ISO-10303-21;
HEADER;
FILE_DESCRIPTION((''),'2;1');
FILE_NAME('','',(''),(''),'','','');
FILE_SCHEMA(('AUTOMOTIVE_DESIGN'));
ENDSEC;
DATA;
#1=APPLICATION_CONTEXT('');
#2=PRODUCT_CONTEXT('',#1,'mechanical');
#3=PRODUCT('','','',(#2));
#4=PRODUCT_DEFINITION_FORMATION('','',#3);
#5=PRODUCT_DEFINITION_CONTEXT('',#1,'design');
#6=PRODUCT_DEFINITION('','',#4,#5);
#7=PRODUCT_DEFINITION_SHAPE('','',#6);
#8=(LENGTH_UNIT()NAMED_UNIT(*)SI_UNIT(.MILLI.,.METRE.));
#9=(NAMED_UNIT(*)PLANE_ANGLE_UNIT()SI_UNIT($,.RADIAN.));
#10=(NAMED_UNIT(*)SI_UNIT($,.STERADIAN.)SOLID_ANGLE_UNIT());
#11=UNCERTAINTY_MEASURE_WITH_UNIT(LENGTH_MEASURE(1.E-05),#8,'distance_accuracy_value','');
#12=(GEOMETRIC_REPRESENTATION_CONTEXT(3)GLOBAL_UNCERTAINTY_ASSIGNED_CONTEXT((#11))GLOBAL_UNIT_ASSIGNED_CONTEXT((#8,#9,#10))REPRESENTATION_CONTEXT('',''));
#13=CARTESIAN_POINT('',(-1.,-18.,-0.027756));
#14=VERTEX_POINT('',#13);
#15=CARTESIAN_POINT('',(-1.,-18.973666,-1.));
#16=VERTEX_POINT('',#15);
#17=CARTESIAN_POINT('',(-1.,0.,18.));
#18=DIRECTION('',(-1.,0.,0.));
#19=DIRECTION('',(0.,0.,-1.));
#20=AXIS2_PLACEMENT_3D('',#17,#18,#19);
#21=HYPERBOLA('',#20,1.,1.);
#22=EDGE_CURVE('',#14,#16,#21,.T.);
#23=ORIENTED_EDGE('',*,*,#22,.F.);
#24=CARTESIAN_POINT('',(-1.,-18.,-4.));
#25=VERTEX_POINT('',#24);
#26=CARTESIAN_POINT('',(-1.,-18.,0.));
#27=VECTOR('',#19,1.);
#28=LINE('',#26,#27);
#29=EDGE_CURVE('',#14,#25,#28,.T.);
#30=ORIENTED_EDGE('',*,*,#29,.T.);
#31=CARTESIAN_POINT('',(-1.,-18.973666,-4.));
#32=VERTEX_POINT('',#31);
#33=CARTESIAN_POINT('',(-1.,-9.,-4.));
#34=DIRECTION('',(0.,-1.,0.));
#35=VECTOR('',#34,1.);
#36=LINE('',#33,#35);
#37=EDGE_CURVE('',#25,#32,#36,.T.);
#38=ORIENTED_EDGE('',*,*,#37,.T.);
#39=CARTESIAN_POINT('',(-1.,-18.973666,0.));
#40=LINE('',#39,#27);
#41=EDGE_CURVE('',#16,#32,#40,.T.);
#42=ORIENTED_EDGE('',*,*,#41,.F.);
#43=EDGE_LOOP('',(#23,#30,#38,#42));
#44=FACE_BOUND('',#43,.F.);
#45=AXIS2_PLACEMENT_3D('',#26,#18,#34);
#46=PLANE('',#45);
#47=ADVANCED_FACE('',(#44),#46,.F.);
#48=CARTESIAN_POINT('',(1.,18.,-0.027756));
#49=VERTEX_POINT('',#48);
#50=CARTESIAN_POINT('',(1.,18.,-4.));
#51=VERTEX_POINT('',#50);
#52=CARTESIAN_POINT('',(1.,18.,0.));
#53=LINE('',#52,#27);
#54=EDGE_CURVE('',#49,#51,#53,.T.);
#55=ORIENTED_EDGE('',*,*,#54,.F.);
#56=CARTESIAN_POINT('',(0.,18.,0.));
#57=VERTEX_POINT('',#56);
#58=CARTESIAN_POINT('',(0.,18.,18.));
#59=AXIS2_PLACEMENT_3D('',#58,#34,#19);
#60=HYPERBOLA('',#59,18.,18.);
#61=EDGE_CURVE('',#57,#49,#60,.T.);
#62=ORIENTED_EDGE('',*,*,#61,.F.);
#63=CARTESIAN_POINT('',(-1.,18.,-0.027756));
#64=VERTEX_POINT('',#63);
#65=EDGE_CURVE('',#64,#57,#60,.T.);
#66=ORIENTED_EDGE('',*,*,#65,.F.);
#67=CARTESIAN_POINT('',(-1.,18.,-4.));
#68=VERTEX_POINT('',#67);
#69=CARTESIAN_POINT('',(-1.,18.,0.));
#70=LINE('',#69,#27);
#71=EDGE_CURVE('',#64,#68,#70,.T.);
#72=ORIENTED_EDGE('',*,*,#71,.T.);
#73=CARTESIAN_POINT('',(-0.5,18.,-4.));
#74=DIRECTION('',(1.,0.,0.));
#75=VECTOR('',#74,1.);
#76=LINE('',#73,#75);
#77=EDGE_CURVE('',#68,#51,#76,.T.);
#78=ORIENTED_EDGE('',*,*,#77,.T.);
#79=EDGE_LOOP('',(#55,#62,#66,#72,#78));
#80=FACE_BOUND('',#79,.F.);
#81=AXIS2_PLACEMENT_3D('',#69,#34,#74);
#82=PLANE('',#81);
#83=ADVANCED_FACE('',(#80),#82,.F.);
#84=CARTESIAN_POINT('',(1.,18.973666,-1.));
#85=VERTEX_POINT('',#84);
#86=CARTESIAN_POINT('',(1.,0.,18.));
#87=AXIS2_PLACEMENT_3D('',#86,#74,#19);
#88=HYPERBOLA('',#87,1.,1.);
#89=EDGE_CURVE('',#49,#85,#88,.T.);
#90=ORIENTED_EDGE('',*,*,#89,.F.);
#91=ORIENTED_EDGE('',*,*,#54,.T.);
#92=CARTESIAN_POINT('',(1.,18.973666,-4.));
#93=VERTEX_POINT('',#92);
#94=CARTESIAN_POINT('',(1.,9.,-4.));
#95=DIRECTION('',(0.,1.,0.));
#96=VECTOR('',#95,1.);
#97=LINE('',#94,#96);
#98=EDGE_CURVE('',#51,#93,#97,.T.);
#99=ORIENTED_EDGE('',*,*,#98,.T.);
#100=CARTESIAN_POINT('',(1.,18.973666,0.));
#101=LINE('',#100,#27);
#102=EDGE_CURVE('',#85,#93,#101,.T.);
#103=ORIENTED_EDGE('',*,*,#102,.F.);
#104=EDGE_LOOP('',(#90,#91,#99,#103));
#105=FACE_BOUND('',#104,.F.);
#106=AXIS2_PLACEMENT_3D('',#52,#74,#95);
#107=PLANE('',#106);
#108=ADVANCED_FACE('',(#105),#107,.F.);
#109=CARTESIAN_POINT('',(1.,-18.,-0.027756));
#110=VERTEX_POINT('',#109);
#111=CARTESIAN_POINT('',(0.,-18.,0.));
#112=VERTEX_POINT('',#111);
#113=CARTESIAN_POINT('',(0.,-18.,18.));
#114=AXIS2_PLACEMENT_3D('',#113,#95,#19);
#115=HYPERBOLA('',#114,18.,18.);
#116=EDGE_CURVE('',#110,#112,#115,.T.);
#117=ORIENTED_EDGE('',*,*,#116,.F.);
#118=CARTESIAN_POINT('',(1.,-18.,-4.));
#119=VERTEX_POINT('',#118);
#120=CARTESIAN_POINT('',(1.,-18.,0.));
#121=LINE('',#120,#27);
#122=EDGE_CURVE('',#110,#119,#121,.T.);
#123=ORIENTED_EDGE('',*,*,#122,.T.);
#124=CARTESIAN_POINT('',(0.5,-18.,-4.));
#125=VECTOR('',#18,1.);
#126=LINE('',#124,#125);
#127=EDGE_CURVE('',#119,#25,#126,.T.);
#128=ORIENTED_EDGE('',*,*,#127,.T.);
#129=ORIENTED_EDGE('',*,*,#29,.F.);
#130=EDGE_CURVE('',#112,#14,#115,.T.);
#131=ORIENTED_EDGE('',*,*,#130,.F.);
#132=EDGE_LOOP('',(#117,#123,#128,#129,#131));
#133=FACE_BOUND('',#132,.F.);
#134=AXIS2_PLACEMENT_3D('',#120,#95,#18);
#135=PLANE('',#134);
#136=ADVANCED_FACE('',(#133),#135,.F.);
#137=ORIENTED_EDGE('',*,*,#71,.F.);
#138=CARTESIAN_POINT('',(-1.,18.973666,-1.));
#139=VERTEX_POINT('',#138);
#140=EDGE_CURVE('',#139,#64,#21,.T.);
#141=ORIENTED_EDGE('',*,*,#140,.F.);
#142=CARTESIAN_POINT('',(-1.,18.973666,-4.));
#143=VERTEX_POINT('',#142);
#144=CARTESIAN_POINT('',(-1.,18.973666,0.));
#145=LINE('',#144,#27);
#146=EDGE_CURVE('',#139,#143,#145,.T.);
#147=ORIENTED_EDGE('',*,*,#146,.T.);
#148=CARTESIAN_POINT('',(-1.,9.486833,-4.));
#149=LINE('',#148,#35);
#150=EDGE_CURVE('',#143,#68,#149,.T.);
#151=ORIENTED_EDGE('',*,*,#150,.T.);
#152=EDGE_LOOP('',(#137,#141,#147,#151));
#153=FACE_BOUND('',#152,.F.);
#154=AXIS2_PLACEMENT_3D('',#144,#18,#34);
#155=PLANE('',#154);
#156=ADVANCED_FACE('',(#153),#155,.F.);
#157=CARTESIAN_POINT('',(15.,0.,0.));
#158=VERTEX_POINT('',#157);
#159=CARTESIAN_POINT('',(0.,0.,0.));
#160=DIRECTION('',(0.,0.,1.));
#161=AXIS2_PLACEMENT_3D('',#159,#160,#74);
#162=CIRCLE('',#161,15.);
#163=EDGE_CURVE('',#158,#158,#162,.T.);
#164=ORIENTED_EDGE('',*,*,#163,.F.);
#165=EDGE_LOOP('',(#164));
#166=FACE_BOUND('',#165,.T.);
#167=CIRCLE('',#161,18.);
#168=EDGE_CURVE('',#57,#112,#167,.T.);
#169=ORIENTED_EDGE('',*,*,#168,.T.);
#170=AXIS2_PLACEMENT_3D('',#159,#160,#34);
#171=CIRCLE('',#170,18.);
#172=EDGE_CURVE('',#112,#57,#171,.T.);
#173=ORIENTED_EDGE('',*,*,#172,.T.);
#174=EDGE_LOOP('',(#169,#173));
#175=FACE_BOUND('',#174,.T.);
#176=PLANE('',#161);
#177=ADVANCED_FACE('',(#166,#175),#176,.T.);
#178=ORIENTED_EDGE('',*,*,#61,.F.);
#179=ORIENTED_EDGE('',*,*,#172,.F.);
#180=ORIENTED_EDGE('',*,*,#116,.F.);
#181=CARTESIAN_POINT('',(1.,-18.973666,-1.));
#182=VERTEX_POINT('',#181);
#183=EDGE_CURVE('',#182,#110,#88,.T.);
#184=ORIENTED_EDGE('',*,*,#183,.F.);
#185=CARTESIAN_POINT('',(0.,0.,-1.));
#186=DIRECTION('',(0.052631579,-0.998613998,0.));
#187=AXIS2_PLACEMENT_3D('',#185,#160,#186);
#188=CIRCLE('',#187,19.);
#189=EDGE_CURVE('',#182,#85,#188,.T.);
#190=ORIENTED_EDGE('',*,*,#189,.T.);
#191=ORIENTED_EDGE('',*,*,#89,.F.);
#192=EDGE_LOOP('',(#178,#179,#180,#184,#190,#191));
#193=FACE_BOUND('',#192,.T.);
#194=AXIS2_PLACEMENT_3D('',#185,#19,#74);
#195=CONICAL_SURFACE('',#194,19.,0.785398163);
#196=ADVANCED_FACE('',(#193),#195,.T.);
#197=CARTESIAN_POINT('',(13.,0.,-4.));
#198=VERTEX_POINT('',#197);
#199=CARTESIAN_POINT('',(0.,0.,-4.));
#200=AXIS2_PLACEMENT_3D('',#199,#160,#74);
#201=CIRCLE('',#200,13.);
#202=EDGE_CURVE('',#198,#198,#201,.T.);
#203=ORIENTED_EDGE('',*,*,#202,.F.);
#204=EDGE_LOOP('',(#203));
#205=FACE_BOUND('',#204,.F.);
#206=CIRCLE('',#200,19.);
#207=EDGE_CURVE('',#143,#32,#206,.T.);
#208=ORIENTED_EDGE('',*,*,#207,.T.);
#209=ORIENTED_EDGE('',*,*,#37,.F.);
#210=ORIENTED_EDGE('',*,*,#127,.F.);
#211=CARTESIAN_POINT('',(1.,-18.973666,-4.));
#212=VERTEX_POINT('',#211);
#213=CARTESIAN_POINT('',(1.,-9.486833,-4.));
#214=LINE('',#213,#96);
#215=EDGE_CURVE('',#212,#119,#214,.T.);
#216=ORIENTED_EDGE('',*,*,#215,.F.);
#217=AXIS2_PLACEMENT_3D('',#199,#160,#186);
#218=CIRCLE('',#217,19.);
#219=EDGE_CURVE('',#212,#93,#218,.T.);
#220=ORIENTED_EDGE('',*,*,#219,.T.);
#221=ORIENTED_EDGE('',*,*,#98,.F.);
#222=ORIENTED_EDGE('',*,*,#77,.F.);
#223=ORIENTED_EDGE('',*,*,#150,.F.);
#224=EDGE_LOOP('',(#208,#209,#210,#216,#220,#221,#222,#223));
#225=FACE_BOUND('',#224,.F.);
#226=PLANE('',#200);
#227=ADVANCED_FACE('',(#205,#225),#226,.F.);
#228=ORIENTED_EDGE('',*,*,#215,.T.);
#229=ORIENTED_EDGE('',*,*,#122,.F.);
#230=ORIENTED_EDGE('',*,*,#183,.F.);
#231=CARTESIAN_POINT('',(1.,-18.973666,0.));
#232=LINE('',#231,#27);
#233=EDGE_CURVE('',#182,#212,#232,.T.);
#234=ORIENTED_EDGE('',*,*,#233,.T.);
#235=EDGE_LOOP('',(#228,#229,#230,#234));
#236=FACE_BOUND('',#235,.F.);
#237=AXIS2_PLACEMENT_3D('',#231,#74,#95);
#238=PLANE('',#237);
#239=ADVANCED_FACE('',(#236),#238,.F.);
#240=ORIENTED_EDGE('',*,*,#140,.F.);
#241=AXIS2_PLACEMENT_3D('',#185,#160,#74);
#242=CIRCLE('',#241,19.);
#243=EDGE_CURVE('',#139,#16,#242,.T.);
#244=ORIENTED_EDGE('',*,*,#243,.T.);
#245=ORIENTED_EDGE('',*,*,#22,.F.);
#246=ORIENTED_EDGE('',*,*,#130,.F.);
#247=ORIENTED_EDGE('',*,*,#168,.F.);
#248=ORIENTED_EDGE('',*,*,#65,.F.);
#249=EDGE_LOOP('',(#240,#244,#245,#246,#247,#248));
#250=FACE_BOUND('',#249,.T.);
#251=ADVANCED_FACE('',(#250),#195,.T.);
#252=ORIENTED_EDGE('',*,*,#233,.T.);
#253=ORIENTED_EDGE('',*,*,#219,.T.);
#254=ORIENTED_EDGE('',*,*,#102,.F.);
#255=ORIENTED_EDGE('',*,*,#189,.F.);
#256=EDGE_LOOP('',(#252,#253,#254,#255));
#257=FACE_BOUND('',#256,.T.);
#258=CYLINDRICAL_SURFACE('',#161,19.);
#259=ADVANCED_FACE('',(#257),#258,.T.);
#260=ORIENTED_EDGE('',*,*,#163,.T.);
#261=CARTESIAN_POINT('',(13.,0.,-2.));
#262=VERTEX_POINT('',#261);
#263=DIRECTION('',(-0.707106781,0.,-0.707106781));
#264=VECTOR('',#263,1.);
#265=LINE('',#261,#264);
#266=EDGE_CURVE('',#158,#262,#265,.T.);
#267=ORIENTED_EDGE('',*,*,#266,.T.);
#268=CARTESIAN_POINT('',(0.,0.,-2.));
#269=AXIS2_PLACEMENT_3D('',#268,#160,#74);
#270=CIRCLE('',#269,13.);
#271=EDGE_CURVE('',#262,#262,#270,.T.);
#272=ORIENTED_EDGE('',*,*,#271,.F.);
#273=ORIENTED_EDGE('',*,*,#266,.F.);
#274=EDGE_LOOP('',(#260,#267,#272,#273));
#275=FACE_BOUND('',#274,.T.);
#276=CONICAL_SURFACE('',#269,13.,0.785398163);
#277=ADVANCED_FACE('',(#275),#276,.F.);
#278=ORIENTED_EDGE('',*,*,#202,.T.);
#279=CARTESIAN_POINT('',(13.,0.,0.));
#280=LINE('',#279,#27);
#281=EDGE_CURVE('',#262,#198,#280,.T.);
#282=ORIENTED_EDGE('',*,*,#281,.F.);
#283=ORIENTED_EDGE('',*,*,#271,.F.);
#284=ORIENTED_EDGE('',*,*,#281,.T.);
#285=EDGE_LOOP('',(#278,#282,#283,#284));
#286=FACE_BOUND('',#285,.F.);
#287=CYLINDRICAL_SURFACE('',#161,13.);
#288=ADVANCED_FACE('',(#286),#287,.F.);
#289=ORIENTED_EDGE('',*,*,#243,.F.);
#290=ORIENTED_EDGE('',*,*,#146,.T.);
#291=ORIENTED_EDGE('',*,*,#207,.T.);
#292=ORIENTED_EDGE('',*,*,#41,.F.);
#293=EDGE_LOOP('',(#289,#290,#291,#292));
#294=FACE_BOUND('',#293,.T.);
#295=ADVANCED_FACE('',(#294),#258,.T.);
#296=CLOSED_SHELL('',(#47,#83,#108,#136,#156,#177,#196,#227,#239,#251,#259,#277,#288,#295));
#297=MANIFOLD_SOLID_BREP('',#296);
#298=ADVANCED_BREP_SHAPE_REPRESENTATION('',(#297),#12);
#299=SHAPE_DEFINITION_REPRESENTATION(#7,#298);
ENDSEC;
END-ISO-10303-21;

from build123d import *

# Parameters (mm, degrees)
F0_R     = 19
F0_R_2   = 13
F1_DEPTH = 4
F2_SIZE  = 1
F3_SIZE  = 2
F5_DEPTH = 4.001


with BuildPart() as f1:
    # F0 (on Top) → F1 (new body)
    with BuildSketch(Plane.XY):
        Circle(F0_R)
        Circle(F0_R_2, mode=Mode.SUBTRACT)
    extrude(amount=-F1_DEPTH)

    # F2
    f2_edges = [f1.edges().sort_by_distance(p)[0] for p in [
        (-19, 0, 0),
    ]]
    chamfer(f2_edges, length=F2_SIZE)

    # F3
    f3_edges = [f1.edges().sort_by_distance(p)[0] for p in [
        (-13, 0, 0),
    ]]
    chamfer(f3_edges, length=F3_SIZE)

    # F4 (on face) → F5 (cut, through all)
    with BuildSketch(Plane.XY):
        with BuildLine():
            Line((-1, 18.973666), (-1, 18))
            Line((-1, 18), (1, 18))
            Line((1, 18), (1, 18.973666))
            ThreePointArc((1, 18.973666), (0, 19), (-1, 18.973666))
        make_face()
        with BuildLine():
            Line((1, -18), (-1, -18))
            Line((-1, -18), (-1, -18.973666))
            ThreePointArc((-1, -18.973666), (0, -19), (1, -18.973666))
            Line((1, -18.973666), (1, -18))
        make_face()
    extrude(amount=-F5_DEPTH, mode=Mode.SUBTRACT)


solid = f1.part
